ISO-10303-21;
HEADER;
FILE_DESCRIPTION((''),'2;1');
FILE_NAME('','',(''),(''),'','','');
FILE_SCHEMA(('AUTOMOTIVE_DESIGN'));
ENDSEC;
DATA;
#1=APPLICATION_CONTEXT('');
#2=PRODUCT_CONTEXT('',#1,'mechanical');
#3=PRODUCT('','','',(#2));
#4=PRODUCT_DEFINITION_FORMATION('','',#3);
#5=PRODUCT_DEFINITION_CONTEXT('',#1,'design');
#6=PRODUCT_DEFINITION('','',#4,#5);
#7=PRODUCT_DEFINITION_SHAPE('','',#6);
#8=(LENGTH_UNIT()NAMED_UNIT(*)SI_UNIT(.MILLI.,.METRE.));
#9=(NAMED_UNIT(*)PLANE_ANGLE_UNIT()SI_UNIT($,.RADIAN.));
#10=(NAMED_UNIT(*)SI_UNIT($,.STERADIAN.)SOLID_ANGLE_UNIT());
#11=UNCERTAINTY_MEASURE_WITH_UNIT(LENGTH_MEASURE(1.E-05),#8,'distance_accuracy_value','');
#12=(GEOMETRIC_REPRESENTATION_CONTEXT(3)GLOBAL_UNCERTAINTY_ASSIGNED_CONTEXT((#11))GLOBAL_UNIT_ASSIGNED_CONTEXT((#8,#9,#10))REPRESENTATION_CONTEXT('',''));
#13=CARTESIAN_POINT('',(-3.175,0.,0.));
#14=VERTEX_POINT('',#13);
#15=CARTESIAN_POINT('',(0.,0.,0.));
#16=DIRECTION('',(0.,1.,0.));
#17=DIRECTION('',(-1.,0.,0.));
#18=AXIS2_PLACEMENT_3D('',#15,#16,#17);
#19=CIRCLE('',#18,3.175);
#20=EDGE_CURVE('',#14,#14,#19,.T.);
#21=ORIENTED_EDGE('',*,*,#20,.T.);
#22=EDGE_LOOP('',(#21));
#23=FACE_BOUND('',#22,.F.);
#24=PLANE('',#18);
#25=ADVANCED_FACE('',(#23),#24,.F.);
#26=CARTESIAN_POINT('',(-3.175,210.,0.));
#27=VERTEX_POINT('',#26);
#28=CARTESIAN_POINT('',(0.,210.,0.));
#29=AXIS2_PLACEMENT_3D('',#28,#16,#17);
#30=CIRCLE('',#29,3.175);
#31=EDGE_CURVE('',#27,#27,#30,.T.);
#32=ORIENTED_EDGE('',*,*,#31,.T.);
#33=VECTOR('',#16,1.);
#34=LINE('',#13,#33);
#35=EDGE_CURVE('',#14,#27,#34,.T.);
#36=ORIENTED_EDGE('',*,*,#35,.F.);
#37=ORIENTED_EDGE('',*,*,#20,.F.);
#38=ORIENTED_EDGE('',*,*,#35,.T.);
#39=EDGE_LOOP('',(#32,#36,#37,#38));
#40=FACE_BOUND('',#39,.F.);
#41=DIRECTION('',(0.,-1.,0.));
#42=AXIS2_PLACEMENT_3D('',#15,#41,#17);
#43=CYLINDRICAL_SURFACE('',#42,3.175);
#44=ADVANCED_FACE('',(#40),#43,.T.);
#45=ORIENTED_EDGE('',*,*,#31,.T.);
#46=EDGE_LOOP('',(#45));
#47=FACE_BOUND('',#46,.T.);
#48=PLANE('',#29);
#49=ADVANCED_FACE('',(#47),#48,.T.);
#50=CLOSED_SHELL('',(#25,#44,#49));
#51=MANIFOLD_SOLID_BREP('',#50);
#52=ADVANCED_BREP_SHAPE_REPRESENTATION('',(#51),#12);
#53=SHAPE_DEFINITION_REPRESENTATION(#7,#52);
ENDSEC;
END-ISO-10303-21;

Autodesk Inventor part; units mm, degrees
ref_plane "YZ Plane" through (0, 0, 0) normal (1, 0, 0) x (0, 1, 0)
ref_plane "XZ Plane" through (0, 0, 0) normal (0, 1, 0) x (-1, 0, 0)
ref_plane "XY Plane" through (0, 0, 0) normal (0, 0, 1) x (1, 0, 0)
sketch "Sketch1" plane through (0, 0, 0) normal (0, 1, 0) x (-1, 0, 0)
  circle A0 centre (0, 0) radius 3.175
  dimension "d0" = 6.35
extrude "Extrusion1" add sketch "Sketch1" along normal blind 210
properties part number "wodden_dowel"
